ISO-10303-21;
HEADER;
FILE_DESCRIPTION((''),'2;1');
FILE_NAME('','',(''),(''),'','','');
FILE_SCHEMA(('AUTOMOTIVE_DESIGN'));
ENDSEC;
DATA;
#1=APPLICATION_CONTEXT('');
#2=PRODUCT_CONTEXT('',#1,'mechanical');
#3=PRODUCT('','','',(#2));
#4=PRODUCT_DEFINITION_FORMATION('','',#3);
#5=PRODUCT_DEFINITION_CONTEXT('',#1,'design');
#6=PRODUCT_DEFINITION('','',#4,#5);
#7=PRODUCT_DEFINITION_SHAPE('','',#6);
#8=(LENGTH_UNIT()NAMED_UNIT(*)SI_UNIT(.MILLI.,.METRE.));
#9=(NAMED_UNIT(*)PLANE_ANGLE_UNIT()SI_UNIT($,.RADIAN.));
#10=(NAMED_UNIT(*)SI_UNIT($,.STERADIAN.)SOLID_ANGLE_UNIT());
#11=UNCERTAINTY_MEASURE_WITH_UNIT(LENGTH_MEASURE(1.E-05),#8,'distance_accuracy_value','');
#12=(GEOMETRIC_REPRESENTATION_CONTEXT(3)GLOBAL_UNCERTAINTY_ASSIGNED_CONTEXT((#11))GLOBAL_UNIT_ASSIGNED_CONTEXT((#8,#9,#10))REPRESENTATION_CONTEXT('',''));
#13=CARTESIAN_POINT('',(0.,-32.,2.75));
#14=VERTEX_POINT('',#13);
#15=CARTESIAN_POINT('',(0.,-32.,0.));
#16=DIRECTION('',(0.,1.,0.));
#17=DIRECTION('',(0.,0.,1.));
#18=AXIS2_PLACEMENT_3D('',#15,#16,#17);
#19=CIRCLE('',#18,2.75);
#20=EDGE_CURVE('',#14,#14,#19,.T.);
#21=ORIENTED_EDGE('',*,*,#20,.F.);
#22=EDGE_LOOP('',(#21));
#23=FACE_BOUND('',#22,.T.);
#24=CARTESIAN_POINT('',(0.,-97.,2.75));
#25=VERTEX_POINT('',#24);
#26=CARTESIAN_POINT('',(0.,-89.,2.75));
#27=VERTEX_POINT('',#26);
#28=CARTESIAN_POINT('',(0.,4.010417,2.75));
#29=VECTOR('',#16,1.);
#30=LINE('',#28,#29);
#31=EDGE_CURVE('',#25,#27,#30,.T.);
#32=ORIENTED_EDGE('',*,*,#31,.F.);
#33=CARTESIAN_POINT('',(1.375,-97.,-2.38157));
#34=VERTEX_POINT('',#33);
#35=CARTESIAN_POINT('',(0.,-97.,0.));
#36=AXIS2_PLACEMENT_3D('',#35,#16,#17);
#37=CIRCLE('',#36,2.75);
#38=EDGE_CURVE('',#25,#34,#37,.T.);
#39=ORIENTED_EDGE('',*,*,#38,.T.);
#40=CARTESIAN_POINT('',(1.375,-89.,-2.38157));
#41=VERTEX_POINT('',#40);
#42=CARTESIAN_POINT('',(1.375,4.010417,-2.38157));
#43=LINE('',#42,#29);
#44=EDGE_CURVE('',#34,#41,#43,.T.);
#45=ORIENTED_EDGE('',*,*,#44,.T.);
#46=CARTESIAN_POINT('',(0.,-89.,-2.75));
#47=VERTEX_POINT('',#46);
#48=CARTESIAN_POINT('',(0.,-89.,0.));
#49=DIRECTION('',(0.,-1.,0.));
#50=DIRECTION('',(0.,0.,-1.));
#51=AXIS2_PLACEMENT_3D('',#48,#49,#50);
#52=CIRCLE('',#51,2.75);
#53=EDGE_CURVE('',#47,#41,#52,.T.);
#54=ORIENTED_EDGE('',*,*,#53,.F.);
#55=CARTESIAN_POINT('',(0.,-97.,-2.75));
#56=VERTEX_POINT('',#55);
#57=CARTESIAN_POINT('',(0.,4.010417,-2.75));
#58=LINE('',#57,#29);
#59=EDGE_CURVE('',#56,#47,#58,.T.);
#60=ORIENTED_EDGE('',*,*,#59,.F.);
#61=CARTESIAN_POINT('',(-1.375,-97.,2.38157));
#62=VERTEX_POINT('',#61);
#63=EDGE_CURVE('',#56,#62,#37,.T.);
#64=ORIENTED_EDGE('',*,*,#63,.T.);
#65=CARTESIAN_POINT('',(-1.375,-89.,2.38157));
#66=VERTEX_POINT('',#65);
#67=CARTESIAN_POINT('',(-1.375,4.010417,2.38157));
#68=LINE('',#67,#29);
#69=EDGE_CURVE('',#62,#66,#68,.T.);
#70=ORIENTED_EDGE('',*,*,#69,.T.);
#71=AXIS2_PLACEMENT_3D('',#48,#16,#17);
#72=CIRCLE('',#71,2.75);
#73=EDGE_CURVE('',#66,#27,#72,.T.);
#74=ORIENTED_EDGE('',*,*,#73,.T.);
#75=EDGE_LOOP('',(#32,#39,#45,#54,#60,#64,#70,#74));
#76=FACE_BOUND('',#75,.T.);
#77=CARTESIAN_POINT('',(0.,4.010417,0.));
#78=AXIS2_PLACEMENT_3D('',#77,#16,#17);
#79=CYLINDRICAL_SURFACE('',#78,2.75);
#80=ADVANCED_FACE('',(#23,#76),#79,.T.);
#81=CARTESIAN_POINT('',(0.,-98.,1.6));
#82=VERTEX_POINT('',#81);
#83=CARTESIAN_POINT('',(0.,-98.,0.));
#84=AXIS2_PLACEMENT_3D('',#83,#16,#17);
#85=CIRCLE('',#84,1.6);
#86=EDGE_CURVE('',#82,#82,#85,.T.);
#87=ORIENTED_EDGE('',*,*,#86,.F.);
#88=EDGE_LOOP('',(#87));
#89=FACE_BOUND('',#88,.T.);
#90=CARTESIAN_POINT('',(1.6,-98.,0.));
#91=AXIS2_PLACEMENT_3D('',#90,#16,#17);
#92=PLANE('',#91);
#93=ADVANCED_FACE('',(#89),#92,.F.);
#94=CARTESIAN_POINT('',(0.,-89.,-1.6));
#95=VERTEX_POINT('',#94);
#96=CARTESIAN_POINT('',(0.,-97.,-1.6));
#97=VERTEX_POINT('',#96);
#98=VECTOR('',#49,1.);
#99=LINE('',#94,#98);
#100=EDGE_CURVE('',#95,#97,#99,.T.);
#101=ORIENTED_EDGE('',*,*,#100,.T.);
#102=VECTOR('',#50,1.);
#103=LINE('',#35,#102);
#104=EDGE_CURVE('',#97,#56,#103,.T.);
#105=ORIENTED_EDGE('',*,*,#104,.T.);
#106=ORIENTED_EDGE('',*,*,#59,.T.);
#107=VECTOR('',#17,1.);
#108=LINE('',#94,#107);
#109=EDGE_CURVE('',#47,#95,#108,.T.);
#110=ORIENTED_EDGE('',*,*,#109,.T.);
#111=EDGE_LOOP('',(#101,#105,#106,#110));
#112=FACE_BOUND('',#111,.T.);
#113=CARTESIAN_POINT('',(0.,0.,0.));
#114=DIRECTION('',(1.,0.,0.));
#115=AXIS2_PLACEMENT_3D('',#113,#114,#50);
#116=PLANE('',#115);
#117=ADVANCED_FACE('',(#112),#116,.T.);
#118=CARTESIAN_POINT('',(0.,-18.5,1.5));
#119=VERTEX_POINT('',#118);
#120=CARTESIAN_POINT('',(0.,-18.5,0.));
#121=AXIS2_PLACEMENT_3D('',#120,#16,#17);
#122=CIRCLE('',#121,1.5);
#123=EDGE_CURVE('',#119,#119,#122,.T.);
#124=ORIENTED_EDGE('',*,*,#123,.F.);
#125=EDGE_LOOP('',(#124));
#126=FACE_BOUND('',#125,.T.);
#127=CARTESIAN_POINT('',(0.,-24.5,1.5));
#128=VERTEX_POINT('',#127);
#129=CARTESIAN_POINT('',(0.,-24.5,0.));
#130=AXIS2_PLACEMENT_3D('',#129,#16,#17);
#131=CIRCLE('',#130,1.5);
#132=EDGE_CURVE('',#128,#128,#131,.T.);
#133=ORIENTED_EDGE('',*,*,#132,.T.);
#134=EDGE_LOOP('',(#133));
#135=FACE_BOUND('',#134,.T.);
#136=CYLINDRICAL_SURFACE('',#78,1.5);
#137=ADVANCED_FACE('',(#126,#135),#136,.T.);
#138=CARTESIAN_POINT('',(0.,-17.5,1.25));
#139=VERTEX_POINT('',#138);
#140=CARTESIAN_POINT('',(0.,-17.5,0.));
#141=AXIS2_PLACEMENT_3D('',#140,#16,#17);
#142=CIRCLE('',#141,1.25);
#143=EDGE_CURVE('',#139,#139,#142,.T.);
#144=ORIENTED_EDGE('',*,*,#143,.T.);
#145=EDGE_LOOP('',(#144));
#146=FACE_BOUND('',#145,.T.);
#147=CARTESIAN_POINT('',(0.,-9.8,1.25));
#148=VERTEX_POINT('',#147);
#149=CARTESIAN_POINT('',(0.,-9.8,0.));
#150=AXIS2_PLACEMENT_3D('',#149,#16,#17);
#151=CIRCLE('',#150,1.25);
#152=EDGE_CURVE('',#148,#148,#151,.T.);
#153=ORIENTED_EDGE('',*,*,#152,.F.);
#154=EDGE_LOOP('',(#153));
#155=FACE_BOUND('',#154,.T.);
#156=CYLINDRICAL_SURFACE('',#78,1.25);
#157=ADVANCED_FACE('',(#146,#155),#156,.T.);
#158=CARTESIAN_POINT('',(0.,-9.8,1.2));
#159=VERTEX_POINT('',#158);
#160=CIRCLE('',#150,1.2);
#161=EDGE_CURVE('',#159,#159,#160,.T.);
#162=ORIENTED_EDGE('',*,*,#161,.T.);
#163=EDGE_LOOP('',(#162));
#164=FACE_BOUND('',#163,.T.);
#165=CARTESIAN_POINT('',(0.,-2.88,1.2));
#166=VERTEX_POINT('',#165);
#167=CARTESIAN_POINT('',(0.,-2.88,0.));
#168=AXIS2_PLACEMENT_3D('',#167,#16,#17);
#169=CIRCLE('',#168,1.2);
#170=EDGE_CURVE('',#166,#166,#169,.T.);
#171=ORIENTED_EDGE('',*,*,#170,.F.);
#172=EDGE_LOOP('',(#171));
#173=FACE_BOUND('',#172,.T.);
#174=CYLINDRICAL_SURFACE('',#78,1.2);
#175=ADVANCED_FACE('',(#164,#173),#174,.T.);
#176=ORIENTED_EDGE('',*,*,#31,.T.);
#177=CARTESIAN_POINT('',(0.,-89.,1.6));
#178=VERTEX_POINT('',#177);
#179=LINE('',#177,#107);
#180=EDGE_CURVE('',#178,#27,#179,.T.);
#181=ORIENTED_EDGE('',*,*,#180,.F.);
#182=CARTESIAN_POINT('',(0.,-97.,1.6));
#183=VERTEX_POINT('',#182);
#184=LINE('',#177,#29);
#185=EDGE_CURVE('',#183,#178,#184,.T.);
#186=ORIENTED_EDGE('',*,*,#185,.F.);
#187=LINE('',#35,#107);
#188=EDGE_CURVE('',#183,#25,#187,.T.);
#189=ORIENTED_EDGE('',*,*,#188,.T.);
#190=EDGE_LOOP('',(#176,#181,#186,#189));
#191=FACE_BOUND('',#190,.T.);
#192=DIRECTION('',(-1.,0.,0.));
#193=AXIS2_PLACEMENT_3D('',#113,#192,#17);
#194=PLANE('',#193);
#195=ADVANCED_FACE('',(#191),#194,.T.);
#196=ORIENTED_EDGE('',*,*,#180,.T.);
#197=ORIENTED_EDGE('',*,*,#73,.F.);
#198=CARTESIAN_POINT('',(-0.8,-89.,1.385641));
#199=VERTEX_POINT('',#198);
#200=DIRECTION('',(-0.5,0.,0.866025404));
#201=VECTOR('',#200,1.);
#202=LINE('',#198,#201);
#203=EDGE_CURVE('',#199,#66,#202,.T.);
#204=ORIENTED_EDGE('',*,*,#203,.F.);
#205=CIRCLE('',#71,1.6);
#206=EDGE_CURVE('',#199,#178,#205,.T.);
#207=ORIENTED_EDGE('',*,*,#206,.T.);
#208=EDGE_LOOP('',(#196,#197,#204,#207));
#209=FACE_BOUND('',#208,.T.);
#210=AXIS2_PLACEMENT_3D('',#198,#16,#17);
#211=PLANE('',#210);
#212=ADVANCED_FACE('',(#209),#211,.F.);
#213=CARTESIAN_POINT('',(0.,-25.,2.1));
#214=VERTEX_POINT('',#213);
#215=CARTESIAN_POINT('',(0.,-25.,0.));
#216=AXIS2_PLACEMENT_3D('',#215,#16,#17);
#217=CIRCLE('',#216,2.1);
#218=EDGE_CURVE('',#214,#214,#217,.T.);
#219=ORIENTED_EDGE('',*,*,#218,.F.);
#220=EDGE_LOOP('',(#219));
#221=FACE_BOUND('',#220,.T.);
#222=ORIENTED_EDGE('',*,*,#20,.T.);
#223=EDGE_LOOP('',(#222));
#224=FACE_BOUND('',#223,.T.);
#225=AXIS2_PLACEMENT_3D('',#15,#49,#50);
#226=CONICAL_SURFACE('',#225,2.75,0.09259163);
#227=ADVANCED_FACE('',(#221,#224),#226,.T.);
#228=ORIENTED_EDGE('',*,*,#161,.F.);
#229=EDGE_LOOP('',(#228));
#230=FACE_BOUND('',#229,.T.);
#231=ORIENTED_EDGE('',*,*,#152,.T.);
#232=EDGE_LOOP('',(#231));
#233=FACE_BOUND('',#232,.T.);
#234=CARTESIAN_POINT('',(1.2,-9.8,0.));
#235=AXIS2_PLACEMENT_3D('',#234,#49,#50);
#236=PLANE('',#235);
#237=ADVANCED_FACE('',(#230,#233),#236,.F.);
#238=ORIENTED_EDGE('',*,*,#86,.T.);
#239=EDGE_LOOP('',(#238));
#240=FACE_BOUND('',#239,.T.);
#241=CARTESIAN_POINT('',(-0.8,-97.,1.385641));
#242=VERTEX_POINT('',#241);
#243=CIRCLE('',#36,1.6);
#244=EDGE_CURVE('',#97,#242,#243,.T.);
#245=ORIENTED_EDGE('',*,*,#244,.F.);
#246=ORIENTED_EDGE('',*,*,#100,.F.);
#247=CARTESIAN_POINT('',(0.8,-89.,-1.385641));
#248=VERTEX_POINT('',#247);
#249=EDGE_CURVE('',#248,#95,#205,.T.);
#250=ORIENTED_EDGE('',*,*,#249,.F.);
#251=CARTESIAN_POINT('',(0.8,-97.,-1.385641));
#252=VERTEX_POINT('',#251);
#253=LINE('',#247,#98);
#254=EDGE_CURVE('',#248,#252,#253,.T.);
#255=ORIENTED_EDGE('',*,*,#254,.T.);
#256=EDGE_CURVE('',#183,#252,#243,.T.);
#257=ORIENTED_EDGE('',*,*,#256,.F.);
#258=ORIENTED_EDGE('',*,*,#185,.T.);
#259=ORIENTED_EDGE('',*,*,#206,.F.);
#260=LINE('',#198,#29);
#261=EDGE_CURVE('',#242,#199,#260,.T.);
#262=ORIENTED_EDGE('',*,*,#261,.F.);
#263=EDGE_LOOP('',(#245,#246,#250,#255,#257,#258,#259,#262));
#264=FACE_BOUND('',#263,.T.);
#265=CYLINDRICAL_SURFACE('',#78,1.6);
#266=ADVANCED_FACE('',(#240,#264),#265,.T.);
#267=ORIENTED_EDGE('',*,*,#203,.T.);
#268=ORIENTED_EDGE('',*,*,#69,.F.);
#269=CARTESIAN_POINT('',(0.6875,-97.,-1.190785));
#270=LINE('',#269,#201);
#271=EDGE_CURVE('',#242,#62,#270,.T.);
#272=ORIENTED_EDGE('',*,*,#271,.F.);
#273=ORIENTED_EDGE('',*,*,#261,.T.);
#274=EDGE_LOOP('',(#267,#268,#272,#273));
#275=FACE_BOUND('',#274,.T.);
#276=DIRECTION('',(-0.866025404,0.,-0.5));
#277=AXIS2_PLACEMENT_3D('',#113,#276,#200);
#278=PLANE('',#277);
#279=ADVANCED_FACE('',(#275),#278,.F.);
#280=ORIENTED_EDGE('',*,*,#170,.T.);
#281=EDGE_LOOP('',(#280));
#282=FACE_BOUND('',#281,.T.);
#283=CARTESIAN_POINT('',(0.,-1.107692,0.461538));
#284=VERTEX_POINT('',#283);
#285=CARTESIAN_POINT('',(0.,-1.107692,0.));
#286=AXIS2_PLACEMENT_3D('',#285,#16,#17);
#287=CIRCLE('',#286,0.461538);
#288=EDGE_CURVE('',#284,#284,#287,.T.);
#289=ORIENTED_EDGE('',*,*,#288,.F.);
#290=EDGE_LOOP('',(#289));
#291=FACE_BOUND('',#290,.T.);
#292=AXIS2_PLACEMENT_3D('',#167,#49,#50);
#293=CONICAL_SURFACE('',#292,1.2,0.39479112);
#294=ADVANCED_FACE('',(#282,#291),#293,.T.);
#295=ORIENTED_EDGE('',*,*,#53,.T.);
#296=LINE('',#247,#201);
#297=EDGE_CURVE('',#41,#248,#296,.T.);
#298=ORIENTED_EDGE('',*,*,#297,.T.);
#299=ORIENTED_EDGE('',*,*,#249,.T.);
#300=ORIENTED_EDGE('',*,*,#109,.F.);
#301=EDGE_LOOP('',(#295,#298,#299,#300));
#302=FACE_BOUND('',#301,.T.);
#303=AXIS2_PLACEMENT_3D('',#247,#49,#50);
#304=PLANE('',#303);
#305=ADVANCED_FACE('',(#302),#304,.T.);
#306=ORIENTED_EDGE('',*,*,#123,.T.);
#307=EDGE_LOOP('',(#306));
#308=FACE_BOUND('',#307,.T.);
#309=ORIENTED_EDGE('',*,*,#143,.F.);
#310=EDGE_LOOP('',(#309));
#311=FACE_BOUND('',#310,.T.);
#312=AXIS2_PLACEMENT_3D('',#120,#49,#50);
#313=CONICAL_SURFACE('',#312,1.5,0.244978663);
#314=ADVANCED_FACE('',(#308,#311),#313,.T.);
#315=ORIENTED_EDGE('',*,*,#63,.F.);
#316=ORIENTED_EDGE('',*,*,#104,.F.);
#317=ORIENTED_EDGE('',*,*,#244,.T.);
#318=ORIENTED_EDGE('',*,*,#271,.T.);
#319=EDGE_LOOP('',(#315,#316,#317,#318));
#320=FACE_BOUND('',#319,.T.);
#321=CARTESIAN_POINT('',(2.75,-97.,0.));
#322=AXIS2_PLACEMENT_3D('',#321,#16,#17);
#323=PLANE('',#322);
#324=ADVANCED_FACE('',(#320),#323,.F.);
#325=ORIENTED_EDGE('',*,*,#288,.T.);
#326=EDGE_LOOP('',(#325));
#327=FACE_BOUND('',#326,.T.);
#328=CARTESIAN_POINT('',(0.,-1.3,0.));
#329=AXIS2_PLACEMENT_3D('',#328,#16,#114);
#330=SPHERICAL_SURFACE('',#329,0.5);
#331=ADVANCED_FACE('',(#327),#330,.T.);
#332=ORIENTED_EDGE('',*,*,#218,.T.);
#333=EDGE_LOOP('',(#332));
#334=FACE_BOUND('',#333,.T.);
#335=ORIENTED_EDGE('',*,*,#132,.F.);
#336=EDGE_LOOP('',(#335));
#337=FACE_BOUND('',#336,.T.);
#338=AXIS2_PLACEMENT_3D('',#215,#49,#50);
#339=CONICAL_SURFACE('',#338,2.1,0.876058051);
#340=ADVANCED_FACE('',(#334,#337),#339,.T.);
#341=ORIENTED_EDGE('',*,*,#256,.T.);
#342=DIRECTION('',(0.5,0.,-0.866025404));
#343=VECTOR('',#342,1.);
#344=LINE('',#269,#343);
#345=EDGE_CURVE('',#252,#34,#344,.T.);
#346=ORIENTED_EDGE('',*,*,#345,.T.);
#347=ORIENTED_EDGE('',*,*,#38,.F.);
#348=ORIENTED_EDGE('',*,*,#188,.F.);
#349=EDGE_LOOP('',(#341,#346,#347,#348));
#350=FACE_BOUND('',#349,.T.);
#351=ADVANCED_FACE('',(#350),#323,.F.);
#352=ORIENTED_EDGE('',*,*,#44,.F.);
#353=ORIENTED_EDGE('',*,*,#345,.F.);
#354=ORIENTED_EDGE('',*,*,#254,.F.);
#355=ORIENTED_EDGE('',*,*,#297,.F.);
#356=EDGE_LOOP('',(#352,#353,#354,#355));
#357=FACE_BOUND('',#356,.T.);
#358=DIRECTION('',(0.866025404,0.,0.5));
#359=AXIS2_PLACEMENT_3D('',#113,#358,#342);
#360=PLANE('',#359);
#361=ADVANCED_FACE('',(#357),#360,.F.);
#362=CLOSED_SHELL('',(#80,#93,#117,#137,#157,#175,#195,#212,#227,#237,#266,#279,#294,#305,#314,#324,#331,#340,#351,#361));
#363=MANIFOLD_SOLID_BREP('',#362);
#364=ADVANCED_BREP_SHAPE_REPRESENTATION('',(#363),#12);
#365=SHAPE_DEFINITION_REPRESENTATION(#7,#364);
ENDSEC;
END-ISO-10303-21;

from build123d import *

# Parameters (mm, degrees)
SKIZZE2_W               = 3
SKIZZE2_H               = 9
SCHNITT_ROTATION1_ANGLE = 30


with BuildPart() as part:
    # Skizze1 → Rotation1 (revolve)
    with BuildSketch(Plane.XY, mode=Mode.PRIVATE) as rotation1_sk:
        with BuildLine():
            Line((1.25, -17.5), (1.5, -18.5))
            Line((1.5, -18.5), (1.5, -24.5))
            Line((1.5, -24.5), (2.1, -25))
            Line((2.1, -25), (2.75, -32))
            Line((2.75, -32), (2.75, -97))
            Line((2.75, -97), (1.6, -97))
            Line((1.6, -97), (1.6, -98))
            Line((1.6, -98), (0, -98))
            Line((0, -98), (0, -0.8))
            ThreePointArc((0, -0.8), (0.277350098, -0.883974853), (0.461538462, -1.107692308))
            Line((0.461538462, -1.107692308), (1.2, -2.88))
            Line((1.2, -2.88), (1.2, -9.8))
            Line((1.2, -9.8), (1.25, -9.8))
            Line((1.25, -9.8), (1.25, -17.5))
        make_face()
    revolve(rotation1_sk.sketch.rotate(Axis((0, 4.010416667, 0), (0, -1, 0)), 90), axis=Axis((0, 4.010416667, 0), (0, -1, 0)))

    # Skizze2 → Schnitt-Rotation1 (revolve, cut)
    with BuildSketch(Plane(origin=(0, 0, 0), x_dir=(0, 0, -1), z_dir=(1, 0, 0))):
        with Locations((-3.1, -93.5)):
            Rectangle(SKIZZE2_W, SKIZZE2_H)
        with Locations((3.1, -93.5)):
            Rectangle(SKIZZE2_W, SKIZZE2_H)
    revolve(axis=Axis((0, -78.967863002, 0), (0, -1, 0)), revolution_arc=SCHNITT_ROTATION1_ANGLE, mode=Mode.SUBTRACT)


solid = part.part
